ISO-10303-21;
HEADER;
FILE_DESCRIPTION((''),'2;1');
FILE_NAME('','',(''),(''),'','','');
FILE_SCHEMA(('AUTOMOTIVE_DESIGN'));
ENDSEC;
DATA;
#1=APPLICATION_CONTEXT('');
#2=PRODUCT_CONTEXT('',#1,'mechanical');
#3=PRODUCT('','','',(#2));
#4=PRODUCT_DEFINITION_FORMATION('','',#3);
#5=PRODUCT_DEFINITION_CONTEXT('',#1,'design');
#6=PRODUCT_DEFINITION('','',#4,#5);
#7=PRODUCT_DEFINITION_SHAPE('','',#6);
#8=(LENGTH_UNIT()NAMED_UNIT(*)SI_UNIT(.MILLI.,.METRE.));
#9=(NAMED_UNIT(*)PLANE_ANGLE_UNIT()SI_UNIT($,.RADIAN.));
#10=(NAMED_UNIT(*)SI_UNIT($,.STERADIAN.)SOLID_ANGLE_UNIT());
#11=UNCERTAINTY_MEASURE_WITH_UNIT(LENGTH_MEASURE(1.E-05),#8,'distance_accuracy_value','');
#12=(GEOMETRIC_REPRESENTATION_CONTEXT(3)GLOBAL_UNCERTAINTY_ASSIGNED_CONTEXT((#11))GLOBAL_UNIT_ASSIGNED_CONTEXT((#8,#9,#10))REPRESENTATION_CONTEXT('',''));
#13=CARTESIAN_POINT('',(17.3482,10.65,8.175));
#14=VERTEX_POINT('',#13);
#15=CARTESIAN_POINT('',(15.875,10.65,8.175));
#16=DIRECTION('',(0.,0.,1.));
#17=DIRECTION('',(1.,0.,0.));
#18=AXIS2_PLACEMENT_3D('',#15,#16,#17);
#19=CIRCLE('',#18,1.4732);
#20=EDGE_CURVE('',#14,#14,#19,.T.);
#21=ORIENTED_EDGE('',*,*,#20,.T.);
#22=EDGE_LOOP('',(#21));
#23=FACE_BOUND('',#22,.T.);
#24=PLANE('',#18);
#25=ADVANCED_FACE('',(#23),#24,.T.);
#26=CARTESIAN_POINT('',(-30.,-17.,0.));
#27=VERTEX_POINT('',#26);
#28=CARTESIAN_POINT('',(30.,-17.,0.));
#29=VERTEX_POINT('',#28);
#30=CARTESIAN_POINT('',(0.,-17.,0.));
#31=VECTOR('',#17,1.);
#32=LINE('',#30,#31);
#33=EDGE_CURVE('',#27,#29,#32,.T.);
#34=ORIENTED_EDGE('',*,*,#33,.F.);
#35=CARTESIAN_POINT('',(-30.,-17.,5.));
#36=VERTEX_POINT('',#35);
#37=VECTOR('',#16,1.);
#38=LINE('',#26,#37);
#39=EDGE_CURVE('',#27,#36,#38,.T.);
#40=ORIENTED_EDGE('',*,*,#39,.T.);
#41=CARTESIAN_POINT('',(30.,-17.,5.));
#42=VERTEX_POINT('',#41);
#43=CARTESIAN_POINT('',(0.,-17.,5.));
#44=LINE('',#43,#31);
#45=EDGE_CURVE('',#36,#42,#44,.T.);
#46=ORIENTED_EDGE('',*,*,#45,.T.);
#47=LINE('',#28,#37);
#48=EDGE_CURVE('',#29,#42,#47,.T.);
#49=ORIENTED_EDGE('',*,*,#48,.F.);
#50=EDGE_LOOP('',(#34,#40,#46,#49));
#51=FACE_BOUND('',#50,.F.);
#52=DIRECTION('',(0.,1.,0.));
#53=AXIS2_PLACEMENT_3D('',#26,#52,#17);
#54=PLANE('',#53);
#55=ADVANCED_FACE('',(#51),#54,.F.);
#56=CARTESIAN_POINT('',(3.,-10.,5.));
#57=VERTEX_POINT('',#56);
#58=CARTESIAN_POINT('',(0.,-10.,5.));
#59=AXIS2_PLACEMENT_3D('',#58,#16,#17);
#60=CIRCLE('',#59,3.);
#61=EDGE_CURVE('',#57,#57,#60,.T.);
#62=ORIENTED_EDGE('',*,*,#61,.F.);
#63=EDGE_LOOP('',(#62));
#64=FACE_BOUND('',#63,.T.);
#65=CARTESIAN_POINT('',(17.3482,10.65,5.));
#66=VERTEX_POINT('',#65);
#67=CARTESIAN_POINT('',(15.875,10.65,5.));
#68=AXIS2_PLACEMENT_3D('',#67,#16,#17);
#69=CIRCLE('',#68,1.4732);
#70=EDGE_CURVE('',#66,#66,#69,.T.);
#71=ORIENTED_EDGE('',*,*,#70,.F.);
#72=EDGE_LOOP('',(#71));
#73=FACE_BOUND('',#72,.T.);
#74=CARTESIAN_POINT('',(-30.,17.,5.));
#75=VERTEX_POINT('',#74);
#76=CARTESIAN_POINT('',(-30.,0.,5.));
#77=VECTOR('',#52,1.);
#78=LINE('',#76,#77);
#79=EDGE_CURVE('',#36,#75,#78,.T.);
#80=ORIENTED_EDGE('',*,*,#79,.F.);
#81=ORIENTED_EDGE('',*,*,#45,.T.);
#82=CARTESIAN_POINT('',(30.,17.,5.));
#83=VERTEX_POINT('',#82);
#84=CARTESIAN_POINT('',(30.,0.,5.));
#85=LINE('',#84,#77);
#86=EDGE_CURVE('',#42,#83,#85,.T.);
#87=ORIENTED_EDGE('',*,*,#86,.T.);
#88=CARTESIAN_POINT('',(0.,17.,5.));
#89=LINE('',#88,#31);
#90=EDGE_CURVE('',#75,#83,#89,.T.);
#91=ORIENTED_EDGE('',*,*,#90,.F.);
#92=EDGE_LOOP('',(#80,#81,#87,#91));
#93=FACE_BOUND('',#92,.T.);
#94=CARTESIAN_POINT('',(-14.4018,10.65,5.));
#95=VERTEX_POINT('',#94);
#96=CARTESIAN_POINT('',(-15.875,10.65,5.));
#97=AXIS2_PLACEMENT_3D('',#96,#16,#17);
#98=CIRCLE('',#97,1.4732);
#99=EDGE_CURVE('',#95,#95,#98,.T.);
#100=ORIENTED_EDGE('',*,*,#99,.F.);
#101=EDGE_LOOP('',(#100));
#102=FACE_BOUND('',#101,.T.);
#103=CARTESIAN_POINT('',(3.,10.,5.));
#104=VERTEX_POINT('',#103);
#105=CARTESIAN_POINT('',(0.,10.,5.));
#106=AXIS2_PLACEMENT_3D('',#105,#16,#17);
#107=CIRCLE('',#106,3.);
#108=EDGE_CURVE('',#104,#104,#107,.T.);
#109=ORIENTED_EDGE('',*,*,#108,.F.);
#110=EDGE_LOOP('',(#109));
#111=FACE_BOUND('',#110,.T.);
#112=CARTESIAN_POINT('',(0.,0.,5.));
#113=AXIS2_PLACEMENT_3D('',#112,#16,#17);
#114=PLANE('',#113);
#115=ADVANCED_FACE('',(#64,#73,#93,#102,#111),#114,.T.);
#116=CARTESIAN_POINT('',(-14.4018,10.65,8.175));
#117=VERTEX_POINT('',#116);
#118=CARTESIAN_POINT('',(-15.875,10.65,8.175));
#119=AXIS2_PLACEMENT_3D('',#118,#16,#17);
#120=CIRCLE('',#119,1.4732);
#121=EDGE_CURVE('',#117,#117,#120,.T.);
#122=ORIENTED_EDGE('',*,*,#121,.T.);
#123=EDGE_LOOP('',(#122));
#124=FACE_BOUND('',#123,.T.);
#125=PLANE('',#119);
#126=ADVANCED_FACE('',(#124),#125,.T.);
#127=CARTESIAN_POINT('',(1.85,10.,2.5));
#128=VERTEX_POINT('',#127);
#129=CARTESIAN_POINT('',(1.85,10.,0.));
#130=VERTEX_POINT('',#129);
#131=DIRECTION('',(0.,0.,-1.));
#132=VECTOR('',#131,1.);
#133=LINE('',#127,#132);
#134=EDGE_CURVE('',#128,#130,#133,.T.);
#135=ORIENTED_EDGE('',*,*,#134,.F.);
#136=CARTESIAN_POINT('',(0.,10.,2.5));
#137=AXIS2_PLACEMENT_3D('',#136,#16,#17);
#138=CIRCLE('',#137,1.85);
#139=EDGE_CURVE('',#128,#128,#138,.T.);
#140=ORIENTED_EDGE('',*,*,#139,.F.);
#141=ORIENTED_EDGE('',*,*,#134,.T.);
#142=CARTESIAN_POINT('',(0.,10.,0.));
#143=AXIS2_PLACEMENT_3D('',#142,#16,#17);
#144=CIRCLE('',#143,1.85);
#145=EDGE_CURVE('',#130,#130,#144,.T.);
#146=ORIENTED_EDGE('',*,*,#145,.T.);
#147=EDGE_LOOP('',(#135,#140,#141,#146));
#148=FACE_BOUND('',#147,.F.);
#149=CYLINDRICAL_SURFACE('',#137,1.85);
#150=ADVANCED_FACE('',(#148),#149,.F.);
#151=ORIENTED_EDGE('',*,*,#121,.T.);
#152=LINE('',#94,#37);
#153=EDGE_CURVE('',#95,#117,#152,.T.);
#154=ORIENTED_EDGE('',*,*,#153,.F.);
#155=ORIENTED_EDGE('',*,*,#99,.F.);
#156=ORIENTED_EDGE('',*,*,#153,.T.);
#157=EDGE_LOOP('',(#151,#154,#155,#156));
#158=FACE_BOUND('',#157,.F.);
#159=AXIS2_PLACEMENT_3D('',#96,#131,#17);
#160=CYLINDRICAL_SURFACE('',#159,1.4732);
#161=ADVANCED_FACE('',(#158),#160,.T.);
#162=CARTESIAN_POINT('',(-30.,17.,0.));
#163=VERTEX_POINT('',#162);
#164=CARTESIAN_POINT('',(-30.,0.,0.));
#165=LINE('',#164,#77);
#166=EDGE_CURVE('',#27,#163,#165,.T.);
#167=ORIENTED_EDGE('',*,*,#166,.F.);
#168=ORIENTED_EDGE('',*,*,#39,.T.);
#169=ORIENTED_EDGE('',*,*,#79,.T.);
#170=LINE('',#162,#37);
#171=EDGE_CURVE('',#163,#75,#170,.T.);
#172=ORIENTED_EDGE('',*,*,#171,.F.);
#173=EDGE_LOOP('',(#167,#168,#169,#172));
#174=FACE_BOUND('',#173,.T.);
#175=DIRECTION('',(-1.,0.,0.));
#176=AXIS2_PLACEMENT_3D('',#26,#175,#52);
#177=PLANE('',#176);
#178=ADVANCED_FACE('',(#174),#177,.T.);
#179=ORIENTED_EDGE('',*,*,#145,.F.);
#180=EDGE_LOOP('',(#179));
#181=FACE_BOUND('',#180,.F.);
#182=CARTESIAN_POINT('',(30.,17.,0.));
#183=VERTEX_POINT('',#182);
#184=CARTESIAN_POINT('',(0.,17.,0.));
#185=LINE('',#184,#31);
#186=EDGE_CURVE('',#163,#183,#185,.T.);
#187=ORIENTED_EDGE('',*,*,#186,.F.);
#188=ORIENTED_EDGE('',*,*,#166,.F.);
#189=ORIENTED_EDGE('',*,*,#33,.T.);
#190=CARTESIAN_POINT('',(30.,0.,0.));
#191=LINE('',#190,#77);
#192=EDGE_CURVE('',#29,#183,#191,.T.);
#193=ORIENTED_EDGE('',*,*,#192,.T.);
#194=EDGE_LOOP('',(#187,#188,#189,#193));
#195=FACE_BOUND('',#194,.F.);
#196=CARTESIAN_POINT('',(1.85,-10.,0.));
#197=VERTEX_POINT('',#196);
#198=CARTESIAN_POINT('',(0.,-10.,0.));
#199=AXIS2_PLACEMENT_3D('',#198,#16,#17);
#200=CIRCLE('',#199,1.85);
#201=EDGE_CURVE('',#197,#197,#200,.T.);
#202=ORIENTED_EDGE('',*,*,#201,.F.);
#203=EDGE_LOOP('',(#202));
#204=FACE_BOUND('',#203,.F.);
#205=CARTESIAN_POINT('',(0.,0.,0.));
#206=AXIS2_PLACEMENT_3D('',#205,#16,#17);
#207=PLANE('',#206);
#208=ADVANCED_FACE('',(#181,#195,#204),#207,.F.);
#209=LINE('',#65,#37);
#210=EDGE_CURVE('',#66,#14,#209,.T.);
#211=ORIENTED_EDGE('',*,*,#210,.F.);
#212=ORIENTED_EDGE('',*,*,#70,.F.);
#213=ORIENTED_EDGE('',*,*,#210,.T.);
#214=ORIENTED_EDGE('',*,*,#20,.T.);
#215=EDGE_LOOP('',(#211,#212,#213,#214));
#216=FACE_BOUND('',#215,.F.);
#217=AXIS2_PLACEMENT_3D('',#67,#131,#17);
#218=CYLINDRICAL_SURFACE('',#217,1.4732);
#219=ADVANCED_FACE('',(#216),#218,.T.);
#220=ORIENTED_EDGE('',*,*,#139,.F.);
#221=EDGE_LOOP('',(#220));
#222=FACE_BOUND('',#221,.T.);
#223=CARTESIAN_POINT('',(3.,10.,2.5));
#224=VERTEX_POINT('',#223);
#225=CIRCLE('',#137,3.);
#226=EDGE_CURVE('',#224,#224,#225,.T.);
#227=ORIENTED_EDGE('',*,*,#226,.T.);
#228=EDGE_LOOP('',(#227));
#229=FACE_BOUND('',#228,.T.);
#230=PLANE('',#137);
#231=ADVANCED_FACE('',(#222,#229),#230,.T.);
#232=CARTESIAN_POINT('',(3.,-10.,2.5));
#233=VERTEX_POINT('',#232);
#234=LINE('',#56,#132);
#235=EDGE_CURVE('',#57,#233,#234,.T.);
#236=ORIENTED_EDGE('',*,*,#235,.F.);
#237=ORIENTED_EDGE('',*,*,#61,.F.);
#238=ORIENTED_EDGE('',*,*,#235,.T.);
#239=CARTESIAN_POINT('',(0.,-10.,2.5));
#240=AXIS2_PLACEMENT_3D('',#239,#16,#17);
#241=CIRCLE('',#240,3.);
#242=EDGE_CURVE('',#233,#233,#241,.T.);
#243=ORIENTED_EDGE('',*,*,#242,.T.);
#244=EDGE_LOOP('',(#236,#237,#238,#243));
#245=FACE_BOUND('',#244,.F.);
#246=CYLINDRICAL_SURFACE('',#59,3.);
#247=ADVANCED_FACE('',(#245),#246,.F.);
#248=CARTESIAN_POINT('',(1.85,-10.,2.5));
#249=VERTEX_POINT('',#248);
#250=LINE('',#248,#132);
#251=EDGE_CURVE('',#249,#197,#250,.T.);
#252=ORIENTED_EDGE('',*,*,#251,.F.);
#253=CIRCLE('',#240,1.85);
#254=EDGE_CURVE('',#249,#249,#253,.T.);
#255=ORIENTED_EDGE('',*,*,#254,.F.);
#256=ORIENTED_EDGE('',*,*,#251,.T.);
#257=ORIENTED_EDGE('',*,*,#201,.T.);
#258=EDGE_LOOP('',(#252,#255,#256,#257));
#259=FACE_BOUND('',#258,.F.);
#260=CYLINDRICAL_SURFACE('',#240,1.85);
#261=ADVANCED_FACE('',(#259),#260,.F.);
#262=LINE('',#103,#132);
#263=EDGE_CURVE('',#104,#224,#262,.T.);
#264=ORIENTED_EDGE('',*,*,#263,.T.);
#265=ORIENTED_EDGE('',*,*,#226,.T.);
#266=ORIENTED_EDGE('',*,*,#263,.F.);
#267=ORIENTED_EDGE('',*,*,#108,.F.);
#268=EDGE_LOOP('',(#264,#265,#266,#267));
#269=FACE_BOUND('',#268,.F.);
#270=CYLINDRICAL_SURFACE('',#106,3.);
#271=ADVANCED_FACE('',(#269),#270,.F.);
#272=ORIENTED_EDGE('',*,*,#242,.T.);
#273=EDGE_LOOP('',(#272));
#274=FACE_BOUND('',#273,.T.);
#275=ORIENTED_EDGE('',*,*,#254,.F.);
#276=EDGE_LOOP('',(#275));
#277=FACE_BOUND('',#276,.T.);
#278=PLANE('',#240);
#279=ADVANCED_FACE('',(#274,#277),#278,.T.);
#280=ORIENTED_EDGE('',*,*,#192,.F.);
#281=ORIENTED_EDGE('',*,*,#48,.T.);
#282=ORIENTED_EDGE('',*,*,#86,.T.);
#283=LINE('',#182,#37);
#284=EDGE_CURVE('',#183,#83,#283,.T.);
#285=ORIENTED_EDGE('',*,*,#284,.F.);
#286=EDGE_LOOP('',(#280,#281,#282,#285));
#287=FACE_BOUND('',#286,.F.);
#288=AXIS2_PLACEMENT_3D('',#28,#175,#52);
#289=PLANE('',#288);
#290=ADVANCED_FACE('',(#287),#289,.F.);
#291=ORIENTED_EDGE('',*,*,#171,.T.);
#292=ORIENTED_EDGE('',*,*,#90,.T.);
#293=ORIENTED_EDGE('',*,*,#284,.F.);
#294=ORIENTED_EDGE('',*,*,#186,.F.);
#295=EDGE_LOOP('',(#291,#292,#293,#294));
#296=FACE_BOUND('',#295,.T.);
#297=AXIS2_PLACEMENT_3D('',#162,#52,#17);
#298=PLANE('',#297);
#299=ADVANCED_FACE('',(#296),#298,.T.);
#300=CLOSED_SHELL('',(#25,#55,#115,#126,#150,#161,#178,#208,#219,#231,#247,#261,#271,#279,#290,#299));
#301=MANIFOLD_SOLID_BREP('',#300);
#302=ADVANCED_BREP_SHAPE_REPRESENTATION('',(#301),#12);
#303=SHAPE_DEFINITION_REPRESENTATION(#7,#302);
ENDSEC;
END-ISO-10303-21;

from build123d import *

# Parameters (mm, degrees)
F0_W     = 60
F0_H     = 34
F1_DEPTH = 5
F2_R     = 3
F3_DEPTH = 2.5
F4_R     = 1.85
F5_DEPTH = 2.501
F6_R     = 1.4732
F7_DEPTH = 3.175


with BuildPart() as f1:
    # F0 (on Top) → F1 (new body)
    with BuildSketch(Plane.XY):
        Rectangle(F0_W, F0_H)
    extrude(amount=F1_DEPTH)

    # F2 (on face) → F3 (cut)
    with BuildSketch(Plane.XY.offset(5)):
        with Locations((0, 10)):
            Circle(F2_R)
        with Locations((0, -10)):
            Circle(F2_R)
    extrude(amount=-F3_DEPTH, mode=Mode.SUBTRACT)

    # F4 (on face) → F5 (cut, through all)
    with BuildSketch(Plane.XY.offset(2.5)):
        with Locations((0, 10)):
            Circle(F4_R)
        with Locations((0, -10)):
            Circle(F4_R)
    extrude(amount=-F5_DEPTH, mode=Mode.SUBTRACT)

    # F6 (on face) → F7 (join)
    with BuildSketch(Plane.XY.offset(5)):
        with Locations((-15.875, 10.65)):
            Circle(F6_R)
        with Locations((15.875, 10.65)):
            Circle(F6_R)
    extrude(amount=F7_DEPTH)


solid = f1.part
